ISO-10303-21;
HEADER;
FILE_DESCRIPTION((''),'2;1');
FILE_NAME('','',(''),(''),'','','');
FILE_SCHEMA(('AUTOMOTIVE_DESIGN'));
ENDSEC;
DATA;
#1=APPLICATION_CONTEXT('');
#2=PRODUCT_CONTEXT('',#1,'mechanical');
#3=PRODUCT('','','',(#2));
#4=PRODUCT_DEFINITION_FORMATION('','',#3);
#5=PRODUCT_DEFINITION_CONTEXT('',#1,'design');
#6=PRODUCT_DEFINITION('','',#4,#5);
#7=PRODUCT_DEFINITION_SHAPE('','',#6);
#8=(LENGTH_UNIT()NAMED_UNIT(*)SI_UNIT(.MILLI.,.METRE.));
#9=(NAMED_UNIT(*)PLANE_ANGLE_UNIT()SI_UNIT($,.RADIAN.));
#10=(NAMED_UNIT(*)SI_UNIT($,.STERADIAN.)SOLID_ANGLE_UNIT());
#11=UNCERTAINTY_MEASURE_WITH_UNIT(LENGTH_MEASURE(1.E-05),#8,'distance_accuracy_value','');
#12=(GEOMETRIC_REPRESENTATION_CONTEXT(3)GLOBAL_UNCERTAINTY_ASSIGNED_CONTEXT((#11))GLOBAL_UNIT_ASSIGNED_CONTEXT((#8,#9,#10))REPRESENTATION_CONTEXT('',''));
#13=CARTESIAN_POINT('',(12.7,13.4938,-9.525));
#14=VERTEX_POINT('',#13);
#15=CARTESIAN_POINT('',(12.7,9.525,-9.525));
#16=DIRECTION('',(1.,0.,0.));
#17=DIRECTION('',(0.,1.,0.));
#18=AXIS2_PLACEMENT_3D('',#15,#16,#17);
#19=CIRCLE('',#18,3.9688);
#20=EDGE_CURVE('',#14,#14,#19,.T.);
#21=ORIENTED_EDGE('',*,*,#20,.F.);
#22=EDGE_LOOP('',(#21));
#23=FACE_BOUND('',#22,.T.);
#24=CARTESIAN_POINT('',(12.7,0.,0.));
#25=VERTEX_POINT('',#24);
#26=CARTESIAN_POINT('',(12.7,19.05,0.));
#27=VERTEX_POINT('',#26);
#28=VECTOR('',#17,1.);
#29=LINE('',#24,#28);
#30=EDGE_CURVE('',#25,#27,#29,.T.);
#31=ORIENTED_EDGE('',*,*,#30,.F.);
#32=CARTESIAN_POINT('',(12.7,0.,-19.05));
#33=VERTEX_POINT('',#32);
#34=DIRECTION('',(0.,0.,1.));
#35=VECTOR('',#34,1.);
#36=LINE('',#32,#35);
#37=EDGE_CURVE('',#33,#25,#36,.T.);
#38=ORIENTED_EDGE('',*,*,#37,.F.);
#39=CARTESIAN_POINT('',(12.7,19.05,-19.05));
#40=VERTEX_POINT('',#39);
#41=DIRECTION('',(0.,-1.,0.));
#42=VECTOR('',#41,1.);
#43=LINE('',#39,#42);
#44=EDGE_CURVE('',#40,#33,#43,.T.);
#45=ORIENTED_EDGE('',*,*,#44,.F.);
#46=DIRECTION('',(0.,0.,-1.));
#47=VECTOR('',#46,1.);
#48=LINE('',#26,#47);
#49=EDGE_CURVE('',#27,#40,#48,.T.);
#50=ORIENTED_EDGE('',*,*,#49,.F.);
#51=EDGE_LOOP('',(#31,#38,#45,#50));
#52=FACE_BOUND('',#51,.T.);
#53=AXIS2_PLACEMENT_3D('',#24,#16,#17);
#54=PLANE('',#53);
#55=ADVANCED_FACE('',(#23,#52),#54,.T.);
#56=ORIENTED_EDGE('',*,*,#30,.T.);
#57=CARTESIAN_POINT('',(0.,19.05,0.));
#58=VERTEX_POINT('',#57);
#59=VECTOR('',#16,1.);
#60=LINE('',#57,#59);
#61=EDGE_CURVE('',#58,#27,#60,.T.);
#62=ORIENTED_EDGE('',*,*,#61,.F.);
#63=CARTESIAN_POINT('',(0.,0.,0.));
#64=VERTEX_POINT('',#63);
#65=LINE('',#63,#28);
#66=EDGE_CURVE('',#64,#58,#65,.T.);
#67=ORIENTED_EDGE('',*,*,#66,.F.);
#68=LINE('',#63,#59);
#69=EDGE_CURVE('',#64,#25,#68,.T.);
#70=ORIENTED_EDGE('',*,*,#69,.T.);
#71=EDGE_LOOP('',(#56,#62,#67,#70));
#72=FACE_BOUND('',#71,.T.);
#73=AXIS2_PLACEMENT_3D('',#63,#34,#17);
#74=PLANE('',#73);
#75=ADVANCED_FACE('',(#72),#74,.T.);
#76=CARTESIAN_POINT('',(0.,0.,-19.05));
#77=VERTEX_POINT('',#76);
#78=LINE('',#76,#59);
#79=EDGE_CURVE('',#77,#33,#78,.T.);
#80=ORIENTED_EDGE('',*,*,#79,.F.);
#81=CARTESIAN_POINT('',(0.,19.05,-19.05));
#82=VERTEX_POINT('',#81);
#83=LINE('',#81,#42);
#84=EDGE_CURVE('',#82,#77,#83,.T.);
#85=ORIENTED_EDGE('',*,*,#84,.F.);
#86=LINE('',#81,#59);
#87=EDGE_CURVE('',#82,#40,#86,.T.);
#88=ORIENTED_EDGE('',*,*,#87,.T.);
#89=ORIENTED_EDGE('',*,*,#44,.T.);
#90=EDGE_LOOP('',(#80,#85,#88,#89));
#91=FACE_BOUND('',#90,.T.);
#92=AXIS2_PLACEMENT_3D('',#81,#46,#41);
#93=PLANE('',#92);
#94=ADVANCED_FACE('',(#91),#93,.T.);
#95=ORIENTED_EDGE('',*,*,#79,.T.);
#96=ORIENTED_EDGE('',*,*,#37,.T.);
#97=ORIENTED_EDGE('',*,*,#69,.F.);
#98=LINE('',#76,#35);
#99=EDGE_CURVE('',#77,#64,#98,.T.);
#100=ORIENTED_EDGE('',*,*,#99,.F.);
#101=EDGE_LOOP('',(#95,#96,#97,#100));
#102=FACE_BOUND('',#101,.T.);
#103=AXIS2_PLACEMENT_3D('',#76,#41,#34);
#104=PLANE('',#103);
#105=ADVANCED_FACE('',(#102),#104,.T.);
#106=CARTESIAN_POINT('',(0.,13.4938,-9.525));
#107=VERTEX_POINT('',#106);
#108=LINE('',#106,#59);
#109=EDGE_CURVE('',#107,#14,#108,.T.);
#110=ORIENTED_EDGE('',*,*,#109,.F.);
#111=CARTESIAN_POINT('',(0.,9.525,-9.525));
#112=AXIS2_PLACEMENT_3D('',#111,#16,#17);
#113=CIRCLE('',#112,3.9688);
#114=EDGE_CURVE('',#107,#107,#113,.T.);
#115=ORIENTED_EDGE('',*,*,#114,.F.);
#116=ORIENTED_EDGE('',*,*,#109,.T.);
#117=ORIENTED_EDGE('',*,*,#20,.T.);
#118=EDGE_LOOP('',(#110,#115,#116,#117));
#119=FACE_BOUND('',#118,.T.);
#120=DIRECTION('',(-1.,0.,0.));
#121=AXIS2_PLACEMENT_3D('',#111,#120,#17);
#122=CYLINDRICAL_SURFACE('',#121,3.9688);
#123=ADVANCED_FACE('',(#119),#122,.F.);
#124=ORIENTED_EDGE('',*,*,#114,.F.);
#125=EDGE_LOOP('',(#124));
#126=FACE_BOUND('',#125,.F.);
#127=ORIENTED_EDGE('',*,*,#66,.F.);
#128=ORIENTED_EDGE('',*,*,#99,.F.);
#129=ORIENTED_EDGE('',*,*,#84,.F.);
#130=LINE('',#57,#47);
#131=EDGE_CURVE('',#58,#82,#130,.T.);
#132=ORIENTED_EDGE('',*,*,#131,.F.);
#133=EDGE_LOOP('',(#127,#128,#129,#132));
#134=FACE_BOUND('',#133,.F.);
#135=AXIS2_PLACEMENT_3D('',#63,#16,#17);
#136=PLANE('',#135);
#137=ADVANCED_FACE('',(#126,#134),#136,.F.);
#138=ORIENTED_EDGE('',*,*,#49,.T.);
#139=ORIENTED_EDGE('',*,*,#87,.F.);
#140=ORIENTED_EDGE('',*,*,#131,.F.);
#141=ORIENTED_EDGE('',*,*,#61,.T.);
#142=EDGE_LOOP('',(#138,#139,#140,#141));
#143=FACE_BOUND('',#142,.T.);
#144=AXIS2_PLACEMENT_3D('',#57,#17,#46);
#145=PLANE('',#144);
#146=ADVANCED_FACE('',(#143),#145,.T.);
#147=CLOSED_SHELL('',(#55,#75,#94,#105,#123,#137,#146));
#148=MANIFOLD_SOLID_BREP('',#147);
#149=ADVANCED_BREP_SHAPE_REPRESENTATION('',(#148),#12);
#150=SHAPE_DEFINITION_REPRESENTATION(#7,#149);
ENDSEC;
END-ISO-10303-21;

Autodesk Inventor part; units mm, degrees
ref_plane "YZ Plane" through (0, 0, 0) normal (1, 0, 0) x (0, 1, 0)
ref_plane "XZ Plane" through (0, 0, 0) normal (0, 1, 0) x (-1, 0, 0)
ref_plane "XY Plane" through (0, 0, 0) normal (0, 0, 1) x (1, 0, 0)
sketch "Sketch1" plane through (0, 0, 0) normal (1, 0, 0) x (0, 1, 0)
  line L0 (0, 0) -> (19.05, 0)
  line L1 (19.05, 0) -> (19.05, -19.05)
  line L2 (19.05, -19.05) -> (0, -19.05)
  line L3 (0, -19.05) -> (0, 0)
  circle A0 centre (9.525, -9.525) radius 3.9688
  dimension "d0" = 19.05
  dimension "d1" = 19.05
  dimension "d2" = 7.9375
extrude "Extrusion1" add sketch "Sketch1" along normal blind 12.7
properties part number "End Pieces"
